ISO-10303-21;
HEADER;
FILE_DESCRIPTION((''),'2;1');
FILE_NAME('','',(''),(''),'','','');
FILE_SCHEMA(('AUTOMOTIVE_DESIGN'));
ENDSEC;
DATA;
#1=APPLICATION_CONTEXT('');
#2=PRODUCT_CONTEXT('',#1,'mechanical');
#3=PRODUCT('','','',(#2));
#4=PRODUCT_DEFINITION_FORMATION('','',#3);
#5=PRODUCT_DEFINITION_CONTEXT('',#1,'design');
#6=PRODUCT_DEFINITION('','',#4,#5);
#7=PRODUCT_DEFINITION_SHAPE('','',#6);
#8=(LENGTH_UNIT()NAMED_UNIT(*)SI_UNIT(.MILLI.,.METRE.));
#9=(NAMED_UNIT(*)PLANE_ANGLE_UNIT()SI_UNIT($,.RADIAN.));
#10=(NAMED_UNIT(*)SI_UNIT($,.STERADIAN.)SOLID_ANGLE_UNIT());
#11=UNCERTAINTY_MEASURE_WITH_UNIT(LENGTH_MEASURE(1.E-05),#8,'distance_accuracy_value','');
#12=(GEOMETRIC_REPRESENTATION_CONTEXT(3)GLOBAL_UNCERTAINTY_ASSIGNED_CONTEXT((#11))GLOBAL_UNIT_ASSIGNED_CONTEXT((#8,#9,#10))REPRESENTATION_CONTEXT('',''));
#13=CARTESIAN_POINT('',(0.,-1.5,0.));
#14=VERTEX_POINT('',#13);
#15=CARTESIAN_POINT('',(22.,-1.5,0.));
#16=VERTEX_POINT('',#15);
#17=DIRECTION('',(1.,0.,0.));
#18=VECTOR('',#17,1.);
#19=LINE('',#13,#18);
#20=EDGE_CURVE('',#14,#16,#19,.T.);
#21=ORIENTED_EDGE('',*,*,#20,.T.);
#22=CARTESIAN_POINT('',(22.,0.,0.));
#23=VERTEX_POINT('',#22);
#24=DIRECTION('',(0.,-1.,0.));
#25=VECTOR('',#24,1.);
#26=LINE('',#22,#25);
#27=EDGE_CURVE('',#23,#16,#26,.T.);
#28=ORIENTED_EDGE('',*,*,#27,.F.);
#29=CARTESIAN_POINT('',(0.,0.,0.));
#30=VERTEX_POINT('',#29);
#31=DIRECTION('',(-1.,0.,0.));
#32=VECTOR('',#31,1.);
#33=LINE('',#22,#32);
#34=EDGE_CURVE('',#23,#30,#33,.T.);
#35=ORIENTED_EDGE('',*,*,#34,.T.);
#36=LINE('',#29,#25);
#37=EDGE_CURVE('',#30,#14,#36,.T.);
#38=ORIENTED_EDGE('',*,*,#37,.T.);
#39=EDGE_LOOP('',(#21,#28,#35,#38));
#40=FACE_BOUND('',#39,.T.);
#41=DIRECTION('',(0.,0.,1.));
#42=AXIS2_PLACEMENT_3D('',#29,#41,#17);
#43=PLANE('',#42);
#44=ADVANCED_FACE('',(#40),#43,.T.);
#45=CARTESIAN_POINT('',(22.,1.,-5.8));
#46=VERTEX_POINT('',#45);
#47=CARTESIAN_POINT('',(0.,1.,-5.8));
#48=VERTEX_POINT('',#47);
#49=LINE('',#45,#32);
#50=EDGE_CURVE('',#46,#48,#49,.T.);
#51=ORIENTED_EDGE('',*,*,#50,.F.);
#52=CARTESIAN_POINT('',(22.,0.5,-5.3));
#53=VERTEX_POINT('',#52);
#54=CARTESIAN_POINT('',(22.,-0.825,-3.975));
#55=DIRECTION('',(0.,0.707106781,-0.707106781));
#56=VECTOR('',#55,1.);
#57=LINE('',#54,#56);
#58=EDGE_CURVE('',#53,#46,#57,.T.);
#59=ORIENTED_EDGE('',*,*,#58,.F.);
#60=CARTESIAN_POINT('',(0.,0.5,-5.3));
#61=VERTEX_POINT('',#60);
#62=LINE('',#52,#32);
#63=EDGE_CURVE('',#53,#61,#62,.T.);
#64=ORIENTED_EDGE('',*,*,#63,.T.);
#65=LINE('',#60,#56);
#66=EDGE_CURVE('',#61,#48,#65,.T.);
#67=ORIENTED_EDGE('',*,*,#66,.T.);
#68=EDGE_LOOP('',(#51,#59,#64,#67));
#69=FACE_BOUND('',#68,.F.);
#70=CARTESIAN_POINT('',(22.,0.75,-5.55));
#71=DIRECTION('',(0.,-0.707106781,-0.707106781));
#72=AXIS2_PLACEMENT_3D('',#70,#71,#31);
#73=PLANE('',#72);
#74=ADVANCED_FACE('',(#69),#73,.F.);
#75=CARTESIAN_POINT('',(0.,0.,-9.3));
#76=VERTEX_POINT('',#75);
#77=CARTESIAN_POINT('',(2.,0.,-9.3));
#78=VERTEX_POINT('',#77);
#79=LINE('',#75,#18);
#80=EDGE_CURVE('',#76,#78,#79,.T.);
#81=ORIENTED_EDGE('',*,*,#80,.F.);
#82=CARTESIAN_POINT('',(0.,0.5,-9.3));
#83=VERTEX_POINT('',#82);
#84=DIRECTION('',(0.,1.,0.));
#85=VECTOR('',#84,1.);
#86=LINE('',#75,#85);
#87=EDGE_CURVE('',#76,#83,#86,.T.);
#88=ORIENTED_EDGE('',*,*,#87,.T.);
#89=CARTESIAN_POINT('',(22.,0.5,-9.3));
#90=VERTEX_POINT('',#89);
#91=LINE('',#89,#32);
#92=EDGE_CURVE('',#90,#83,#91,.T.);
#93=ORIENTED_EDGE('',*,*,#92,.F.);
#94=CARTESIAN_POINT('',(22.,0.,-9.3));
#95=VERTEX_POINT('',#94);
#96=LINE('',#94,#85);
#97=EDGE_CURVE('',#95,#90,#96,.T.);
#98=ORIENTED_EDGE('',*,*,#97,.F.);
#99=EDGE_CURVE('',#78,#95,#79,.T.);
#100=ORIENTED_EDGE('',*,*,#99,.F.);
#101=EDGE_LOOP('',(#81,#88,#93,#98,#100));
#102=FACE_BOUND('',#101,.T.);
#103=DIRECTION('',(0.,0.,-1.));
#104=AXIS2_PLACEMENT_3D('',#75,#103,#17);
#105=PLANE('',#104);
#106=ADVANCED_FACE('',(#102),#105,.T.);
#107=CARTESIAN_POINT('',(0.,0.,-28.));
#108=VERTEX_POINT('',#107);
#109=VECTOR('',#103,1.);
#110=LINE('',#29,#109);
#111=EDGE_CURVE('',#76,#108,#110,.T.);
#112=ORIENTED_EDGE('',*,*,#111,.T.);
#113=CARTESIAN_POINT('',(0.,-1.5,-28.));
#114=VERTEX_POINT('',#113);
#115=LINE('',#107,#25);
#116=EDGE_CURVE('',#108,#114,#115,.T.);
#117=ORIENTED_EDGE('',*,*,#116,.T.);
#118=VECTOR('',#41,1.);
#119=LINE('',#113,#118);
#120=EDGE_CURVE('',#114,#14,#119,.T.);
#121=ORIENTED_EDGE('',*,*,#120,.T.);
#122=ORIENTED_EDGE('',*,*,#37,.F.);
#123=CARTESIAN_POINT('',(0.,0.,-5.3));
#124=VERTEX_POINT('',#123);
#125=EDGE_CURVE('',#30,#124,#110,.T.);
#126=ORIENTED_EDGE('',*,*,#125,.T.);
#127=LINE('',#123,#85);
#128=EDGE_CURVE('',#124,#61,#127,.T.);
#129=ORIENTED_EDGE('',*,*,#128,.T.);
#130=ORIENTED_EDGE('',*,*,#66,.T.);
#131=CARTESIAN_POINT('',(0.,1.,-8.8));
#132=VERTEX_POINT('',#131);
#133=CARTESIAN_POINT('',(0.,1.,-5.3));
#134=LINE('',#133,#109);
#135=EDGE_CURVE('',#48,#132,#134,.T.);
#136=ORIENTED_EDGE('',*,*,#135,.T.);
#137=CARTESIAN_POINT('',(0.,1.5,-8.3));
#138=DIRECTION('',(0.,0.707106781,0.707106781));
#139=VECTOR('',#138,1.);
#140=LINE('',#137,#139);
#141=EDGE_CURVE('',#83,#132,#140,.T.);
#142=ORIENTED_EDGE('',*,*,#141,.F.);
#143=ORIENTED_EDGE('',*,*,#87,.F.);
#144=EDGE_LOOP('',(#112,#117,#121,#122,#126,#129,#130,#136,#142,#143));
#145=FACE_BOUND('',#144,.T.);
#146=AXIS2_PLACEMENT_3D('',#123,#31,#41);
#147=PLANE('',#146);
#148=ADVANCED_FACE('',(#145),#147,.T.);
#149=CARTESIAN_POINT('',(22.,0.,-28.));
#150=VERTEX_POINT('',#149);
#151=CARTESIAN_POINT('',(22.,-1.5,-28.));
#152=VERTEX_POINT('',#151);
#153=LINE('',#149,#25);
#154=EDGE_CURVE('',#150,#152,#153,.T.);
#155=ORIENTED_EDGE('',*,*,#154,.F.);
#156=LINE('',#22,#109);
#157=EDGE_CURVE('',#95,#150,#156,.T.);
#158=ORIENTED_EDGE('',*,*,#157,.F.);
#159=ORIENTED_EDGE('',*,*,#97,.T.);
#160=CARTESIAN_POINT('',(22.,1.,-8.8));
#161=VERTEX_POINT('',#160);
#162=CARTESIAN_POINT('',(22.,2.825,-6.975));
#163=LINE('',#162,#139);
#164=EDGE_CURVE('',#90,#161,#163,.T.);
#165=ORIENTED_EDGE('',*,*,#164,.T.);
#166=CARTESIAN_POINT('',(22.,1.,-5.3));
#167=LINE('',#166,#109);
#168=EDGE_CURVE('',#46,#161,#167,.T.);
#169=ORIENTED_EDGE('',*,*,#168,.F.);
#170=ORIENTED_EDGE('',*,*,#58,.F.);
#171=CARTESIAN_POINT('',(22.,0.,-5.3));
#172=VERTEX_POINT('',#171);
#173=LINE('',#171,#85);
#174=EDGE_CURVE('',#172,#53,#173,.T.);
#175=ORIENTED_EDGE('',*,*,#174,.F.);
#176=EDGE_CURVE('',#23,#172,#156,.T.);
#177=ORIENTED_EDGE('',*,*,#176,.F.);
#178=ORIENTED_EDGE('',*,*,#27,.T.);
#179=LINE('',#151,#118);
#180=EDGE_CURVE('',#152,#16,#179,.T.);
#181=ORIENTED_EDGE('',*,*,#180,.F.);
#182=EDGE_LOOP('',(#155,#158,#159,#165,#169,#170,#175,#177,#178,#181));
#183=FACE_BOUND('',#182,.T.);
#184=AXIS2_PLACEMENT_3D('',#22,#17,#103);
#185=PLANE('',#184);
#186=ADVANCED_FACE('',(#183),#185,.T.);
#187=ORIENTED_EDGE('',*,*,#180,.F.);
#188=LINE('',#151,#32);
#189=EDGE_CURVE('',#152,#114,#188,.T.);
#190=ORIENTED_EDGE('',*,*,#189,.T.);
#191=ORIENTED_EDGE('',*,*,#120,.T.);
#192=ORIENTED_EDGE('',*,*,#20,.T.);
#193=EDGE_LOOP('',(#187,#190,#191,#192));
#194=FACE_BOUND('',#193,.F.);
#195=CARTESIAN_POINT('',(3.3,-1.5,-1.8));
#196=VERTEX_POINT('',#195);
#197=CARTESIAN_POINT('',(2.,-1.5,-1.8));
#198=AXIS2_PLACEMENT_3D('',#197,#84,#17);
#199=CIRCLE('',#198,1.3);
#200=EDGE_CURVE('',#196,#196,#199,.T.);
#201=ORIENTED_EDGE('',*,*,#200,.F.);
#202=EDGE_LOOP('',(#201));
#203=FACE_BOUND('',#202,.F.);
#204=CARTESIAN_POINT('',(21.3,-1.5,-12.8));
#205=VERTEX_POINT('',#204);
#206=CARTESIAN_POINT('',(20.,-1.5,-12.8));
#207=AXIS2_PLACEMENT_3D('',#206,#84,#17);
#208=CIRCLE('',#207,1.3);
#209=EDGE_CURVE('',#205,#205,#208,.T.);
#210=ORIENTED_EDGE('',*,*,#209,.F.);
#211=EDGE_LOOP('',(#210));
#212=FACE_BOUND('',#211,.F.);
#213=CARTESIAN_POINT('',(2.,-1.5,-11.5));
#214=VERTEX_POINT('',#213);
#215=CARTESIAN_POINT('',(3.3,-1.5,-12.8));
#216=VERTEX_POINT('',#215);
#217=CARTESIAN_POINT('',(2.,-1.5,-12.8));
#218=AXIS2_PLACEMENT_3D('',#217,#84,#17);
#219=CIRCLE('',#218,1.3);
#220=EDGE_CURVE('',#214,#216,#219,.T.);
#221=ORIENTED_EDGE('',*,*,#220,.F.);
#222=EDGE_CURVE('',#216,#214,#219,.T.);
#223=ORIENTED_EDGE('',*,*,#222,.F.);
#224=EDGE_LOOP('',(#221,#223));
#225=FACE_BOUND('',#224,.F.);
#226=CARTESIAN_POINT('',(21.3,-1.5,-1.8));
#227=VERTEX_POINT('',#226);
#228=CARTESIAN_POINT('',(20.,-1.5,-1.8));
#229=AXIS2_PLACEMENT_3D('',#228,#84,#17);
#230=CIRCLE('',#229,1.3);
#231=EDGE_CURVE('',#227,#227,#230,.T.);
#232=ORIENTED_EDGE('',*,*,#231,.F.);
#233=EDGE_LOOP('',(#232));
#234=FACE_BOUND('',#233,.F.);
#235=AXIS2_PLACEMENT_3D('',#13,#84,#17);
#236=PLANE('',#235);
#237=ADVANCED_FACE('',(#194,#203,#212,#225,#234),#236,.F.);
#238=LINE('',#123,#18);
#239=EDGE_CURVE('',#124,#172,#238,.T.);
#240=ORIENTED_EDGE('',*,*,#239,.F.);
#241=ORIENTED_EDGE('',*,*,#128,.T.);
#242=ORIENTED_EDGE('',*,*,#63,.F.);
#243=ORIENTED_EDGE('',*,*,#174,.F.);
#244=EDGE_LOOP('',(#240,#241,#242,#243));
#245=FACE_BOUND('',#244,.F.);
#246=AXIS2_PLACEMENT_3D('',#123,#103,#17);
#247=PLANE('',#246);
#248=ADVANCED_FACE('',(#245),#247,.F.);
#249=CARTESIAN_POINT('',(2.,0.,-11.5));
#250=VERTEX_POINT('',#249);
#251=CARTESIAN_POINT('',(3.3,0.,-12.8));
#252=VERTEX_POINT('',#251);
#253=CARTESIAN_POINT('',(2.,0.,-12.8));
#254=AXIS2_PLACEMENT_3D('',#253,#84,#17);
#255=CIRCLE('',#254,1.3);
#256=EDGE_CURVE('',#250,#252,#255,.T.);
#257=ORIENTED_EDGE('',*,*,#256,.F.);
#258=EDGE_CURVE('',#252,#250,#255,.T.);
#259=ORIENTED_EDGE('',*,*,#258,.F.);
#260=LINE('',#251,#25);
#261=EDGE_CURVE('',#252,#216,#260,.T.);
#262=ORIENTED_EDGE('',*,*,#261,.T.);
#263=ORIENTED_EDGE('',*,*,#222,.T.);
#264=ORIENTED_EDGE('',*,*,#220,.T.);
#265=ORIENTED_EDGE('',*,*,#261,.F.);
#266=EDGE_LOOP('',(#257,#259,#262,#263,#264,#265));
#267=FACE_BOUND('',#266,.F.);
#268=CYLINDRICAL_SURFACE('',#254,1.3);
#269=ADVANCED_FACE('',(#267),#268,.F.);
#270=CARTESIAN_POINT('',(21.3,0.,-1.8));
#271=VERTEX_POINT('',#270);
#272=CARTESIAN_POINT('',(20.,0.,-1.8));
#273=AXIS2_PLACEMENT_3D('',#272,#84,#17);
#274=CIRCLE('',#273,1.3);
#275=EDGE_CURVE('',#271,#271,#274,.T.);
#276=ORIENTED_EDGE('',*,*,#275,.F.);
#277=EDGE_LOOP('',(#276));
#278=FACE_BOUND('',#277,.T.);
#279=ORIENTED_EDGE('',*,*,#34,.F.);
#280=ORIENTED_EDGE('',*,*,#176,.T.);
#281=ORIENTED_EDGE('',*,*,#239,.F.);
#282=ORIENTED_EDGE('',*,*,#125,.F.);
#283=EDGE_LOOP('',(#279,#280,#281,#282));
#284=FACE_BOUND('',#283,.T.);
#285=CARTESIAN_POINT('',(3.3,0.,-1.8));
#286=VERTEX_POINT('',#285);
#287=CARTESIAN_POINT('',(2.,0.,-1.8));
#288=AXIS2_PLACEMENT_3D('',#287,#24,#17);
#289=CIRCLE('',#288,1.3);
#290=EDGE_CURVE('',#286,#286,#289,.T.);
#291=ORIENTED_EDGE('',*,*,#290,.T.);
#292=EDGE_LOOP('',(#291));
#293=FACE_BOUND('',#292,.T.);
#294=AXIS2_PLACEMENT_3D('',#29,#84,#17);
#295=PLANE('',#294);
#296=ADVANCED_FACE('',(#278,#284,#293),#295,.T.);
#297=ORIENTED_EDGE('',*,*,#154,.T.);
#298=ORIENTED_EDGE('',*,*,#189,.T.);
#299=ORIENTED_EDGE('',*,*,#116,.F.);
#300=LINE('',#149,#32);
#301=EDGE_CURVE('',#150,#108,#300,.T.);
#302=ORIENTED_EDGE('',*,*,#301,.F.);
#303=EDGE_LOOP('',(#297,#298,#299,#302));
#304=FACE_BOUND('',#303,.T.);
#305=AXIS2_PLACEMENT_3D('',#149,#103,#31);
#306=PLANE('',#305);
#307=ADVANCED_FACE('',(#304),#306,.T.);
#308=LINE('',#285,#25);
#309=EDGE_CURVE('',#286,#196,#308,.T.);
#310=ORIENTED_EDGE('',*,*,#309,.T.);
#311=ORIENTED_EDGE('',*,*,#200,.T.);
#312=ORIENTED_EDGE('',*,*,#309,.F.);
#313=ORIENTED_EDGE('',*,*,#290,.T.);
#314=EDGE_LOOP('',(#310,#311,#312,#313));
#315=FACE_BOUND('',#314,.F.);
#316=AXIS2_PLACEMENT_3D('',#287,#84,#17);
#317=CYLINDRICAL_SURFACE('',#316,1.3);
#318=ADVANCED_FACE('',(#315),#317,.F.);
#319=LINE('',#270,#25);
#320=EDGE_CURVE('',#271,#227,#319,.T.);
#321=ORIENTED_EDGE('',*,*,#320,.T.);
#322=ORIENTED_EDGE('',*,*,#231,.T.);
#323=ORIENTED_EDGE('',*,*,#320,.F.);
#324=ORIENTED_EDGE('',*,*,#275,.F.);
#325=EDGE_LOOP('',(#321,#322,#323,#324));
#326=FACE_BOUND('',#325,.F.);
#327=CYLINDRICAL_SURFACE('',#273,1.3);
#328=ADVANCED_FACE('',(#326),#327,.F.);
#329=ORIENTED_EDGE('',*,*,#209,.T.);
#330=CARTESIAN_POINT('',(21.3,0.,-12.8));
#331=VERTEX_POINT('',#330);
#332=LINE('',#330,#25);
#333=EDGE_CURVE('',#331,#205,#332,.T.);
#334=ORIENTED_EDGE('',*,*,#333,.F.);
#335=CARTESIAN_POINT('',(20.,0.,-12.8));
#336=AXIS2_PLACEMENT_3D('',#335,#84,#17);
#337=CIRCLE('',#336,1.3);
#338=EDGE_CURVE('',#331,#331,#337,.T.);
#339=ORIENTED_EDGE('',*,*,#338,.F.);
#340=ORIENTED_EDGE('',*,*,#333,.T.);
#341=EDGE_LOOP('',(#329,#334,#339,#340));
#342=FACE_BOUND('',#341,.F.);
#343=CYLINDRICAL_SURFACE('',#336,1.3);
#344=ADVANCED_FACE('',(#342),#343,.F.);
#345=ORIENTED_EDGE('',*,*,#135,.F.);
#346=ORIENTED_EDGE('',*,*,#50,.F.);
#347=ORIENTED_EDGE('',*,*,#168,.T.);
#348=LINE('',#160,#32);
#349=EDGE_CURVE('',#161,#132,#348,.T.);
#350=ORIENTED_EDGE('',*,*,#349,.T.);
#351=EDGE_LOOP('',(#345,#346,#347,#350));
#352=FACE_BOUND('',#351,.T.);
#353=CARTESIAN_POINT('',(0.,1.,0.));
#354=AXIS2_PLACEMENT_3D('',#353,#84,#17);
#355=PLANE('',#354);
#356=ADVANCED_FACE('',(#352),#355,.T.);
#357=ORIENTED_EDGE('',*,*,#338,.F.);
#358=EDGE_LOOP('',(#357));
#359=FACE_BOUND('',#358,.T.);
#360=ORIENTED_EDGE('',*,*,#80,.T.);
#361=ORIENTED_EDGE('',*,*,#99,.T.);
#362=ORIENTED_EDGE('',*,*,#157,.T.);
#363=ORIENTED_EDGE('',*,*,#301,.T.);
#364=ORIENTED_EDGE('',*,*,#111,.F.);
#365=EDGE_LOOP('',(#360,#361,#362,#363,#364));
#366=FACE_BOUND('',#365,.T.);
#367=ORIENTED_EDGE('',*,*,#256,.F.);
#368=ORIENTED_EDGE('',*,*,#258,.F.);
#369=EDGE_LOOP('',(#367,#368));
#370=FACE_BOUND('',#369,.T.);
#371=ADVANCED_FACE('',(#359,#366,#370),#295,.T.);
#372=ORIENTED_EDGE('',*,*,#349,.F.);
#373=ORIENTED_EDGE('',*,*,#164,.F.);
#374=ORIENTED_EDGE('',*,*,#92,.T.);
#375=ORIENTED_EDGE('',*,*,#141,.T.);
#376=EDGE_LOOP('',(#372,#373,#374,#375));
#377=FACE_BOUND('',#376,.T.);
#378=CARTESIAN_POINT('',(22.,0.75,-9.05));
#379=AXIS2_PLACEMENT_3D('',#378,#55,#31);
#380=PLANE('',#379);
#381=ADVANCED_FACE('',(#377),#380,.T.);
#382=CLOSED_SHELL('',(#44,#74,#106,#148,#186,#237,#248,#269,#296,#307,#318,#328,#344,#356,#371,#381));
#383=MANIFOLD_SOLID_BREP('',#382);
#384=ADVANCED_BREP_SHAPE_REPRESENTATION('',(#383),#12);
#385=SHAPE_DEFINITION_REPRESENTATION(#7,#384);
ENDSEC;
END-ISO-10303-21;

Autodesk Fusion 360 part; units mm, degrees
sketch "Sketch1" plane through (0, 0, 0) normal (0, 1, 0) x (1, 0, 0)
  line L0 (0, 0) -> (22, 0)
  line L1 (22, 0) -> (22, 28)
  line L2 (22, 28) -> (0, 28)
  line L3 (0, 28) -> (0, 0)
  line L4 (11, 0) -> (11, 0.5)
  line L5 (11, 0.5) -> (2, 0.5)
  circle A0 centre (2, 1.8) radius 1.3
  line L6 (2, 1.8) -> (2, 12.8)
  circle A1 centre (2, 12.8) radius 1.3
  circle A2 centre (20, 1.8) radius 1.3
  circle A3 centre (20, 12.8) radius 1.3
  line L7 (2, 7.3) -> (22, 7.3)
  line L8 (2, 7.3) -> (0, 7.3)
  line L9 (0, 7.3) -> (0, 5.3)
  line L10 (0, 5.3) -> (22, 5.3)
  line L11 (0, 7.3) -> (0, 9.3)
  line L12 (0, 9.3) -> (22, 9.3)
  dimension "d1" = 22
  dimension "d2" = 28
  dimension "d3" = 0.5
  dimension "d4" = 9
  dimension "d5" = 2.6
  dimension "d6" = 11
  dimension "d7" = 2.6
  dimension "d8" = 2
  dimension "d9" = 2
extrude "Extrude1" add sketch "Sketch1" against normal blind 1.5 contours L0 L3 L4 L5 A0 L6 L10 | L0 L1 L4 L5 A0 L6 L10 | L3 L6 L8 L9 L10 | L3 L6 L8 L11 L12 | L1 L6 L7 L10 | L1 L2 L3 L12 | L1 L6 L7 L12
extrude "Extrude2" add sketch "Sketch1" along normal blind 1 contours L3 L6 L8 L9 L10 | L3 L6 L8 L11 L12 | L1 L6 L7 L10 | L1 L6 L7 L12
chamfer "Chamfer1" distance 0.5 angle 45 2 edges at (11, 1, -5.3) (11, 1, -9.3)
equation "d4 = ( 18 / 2 ) * 1 mm"
